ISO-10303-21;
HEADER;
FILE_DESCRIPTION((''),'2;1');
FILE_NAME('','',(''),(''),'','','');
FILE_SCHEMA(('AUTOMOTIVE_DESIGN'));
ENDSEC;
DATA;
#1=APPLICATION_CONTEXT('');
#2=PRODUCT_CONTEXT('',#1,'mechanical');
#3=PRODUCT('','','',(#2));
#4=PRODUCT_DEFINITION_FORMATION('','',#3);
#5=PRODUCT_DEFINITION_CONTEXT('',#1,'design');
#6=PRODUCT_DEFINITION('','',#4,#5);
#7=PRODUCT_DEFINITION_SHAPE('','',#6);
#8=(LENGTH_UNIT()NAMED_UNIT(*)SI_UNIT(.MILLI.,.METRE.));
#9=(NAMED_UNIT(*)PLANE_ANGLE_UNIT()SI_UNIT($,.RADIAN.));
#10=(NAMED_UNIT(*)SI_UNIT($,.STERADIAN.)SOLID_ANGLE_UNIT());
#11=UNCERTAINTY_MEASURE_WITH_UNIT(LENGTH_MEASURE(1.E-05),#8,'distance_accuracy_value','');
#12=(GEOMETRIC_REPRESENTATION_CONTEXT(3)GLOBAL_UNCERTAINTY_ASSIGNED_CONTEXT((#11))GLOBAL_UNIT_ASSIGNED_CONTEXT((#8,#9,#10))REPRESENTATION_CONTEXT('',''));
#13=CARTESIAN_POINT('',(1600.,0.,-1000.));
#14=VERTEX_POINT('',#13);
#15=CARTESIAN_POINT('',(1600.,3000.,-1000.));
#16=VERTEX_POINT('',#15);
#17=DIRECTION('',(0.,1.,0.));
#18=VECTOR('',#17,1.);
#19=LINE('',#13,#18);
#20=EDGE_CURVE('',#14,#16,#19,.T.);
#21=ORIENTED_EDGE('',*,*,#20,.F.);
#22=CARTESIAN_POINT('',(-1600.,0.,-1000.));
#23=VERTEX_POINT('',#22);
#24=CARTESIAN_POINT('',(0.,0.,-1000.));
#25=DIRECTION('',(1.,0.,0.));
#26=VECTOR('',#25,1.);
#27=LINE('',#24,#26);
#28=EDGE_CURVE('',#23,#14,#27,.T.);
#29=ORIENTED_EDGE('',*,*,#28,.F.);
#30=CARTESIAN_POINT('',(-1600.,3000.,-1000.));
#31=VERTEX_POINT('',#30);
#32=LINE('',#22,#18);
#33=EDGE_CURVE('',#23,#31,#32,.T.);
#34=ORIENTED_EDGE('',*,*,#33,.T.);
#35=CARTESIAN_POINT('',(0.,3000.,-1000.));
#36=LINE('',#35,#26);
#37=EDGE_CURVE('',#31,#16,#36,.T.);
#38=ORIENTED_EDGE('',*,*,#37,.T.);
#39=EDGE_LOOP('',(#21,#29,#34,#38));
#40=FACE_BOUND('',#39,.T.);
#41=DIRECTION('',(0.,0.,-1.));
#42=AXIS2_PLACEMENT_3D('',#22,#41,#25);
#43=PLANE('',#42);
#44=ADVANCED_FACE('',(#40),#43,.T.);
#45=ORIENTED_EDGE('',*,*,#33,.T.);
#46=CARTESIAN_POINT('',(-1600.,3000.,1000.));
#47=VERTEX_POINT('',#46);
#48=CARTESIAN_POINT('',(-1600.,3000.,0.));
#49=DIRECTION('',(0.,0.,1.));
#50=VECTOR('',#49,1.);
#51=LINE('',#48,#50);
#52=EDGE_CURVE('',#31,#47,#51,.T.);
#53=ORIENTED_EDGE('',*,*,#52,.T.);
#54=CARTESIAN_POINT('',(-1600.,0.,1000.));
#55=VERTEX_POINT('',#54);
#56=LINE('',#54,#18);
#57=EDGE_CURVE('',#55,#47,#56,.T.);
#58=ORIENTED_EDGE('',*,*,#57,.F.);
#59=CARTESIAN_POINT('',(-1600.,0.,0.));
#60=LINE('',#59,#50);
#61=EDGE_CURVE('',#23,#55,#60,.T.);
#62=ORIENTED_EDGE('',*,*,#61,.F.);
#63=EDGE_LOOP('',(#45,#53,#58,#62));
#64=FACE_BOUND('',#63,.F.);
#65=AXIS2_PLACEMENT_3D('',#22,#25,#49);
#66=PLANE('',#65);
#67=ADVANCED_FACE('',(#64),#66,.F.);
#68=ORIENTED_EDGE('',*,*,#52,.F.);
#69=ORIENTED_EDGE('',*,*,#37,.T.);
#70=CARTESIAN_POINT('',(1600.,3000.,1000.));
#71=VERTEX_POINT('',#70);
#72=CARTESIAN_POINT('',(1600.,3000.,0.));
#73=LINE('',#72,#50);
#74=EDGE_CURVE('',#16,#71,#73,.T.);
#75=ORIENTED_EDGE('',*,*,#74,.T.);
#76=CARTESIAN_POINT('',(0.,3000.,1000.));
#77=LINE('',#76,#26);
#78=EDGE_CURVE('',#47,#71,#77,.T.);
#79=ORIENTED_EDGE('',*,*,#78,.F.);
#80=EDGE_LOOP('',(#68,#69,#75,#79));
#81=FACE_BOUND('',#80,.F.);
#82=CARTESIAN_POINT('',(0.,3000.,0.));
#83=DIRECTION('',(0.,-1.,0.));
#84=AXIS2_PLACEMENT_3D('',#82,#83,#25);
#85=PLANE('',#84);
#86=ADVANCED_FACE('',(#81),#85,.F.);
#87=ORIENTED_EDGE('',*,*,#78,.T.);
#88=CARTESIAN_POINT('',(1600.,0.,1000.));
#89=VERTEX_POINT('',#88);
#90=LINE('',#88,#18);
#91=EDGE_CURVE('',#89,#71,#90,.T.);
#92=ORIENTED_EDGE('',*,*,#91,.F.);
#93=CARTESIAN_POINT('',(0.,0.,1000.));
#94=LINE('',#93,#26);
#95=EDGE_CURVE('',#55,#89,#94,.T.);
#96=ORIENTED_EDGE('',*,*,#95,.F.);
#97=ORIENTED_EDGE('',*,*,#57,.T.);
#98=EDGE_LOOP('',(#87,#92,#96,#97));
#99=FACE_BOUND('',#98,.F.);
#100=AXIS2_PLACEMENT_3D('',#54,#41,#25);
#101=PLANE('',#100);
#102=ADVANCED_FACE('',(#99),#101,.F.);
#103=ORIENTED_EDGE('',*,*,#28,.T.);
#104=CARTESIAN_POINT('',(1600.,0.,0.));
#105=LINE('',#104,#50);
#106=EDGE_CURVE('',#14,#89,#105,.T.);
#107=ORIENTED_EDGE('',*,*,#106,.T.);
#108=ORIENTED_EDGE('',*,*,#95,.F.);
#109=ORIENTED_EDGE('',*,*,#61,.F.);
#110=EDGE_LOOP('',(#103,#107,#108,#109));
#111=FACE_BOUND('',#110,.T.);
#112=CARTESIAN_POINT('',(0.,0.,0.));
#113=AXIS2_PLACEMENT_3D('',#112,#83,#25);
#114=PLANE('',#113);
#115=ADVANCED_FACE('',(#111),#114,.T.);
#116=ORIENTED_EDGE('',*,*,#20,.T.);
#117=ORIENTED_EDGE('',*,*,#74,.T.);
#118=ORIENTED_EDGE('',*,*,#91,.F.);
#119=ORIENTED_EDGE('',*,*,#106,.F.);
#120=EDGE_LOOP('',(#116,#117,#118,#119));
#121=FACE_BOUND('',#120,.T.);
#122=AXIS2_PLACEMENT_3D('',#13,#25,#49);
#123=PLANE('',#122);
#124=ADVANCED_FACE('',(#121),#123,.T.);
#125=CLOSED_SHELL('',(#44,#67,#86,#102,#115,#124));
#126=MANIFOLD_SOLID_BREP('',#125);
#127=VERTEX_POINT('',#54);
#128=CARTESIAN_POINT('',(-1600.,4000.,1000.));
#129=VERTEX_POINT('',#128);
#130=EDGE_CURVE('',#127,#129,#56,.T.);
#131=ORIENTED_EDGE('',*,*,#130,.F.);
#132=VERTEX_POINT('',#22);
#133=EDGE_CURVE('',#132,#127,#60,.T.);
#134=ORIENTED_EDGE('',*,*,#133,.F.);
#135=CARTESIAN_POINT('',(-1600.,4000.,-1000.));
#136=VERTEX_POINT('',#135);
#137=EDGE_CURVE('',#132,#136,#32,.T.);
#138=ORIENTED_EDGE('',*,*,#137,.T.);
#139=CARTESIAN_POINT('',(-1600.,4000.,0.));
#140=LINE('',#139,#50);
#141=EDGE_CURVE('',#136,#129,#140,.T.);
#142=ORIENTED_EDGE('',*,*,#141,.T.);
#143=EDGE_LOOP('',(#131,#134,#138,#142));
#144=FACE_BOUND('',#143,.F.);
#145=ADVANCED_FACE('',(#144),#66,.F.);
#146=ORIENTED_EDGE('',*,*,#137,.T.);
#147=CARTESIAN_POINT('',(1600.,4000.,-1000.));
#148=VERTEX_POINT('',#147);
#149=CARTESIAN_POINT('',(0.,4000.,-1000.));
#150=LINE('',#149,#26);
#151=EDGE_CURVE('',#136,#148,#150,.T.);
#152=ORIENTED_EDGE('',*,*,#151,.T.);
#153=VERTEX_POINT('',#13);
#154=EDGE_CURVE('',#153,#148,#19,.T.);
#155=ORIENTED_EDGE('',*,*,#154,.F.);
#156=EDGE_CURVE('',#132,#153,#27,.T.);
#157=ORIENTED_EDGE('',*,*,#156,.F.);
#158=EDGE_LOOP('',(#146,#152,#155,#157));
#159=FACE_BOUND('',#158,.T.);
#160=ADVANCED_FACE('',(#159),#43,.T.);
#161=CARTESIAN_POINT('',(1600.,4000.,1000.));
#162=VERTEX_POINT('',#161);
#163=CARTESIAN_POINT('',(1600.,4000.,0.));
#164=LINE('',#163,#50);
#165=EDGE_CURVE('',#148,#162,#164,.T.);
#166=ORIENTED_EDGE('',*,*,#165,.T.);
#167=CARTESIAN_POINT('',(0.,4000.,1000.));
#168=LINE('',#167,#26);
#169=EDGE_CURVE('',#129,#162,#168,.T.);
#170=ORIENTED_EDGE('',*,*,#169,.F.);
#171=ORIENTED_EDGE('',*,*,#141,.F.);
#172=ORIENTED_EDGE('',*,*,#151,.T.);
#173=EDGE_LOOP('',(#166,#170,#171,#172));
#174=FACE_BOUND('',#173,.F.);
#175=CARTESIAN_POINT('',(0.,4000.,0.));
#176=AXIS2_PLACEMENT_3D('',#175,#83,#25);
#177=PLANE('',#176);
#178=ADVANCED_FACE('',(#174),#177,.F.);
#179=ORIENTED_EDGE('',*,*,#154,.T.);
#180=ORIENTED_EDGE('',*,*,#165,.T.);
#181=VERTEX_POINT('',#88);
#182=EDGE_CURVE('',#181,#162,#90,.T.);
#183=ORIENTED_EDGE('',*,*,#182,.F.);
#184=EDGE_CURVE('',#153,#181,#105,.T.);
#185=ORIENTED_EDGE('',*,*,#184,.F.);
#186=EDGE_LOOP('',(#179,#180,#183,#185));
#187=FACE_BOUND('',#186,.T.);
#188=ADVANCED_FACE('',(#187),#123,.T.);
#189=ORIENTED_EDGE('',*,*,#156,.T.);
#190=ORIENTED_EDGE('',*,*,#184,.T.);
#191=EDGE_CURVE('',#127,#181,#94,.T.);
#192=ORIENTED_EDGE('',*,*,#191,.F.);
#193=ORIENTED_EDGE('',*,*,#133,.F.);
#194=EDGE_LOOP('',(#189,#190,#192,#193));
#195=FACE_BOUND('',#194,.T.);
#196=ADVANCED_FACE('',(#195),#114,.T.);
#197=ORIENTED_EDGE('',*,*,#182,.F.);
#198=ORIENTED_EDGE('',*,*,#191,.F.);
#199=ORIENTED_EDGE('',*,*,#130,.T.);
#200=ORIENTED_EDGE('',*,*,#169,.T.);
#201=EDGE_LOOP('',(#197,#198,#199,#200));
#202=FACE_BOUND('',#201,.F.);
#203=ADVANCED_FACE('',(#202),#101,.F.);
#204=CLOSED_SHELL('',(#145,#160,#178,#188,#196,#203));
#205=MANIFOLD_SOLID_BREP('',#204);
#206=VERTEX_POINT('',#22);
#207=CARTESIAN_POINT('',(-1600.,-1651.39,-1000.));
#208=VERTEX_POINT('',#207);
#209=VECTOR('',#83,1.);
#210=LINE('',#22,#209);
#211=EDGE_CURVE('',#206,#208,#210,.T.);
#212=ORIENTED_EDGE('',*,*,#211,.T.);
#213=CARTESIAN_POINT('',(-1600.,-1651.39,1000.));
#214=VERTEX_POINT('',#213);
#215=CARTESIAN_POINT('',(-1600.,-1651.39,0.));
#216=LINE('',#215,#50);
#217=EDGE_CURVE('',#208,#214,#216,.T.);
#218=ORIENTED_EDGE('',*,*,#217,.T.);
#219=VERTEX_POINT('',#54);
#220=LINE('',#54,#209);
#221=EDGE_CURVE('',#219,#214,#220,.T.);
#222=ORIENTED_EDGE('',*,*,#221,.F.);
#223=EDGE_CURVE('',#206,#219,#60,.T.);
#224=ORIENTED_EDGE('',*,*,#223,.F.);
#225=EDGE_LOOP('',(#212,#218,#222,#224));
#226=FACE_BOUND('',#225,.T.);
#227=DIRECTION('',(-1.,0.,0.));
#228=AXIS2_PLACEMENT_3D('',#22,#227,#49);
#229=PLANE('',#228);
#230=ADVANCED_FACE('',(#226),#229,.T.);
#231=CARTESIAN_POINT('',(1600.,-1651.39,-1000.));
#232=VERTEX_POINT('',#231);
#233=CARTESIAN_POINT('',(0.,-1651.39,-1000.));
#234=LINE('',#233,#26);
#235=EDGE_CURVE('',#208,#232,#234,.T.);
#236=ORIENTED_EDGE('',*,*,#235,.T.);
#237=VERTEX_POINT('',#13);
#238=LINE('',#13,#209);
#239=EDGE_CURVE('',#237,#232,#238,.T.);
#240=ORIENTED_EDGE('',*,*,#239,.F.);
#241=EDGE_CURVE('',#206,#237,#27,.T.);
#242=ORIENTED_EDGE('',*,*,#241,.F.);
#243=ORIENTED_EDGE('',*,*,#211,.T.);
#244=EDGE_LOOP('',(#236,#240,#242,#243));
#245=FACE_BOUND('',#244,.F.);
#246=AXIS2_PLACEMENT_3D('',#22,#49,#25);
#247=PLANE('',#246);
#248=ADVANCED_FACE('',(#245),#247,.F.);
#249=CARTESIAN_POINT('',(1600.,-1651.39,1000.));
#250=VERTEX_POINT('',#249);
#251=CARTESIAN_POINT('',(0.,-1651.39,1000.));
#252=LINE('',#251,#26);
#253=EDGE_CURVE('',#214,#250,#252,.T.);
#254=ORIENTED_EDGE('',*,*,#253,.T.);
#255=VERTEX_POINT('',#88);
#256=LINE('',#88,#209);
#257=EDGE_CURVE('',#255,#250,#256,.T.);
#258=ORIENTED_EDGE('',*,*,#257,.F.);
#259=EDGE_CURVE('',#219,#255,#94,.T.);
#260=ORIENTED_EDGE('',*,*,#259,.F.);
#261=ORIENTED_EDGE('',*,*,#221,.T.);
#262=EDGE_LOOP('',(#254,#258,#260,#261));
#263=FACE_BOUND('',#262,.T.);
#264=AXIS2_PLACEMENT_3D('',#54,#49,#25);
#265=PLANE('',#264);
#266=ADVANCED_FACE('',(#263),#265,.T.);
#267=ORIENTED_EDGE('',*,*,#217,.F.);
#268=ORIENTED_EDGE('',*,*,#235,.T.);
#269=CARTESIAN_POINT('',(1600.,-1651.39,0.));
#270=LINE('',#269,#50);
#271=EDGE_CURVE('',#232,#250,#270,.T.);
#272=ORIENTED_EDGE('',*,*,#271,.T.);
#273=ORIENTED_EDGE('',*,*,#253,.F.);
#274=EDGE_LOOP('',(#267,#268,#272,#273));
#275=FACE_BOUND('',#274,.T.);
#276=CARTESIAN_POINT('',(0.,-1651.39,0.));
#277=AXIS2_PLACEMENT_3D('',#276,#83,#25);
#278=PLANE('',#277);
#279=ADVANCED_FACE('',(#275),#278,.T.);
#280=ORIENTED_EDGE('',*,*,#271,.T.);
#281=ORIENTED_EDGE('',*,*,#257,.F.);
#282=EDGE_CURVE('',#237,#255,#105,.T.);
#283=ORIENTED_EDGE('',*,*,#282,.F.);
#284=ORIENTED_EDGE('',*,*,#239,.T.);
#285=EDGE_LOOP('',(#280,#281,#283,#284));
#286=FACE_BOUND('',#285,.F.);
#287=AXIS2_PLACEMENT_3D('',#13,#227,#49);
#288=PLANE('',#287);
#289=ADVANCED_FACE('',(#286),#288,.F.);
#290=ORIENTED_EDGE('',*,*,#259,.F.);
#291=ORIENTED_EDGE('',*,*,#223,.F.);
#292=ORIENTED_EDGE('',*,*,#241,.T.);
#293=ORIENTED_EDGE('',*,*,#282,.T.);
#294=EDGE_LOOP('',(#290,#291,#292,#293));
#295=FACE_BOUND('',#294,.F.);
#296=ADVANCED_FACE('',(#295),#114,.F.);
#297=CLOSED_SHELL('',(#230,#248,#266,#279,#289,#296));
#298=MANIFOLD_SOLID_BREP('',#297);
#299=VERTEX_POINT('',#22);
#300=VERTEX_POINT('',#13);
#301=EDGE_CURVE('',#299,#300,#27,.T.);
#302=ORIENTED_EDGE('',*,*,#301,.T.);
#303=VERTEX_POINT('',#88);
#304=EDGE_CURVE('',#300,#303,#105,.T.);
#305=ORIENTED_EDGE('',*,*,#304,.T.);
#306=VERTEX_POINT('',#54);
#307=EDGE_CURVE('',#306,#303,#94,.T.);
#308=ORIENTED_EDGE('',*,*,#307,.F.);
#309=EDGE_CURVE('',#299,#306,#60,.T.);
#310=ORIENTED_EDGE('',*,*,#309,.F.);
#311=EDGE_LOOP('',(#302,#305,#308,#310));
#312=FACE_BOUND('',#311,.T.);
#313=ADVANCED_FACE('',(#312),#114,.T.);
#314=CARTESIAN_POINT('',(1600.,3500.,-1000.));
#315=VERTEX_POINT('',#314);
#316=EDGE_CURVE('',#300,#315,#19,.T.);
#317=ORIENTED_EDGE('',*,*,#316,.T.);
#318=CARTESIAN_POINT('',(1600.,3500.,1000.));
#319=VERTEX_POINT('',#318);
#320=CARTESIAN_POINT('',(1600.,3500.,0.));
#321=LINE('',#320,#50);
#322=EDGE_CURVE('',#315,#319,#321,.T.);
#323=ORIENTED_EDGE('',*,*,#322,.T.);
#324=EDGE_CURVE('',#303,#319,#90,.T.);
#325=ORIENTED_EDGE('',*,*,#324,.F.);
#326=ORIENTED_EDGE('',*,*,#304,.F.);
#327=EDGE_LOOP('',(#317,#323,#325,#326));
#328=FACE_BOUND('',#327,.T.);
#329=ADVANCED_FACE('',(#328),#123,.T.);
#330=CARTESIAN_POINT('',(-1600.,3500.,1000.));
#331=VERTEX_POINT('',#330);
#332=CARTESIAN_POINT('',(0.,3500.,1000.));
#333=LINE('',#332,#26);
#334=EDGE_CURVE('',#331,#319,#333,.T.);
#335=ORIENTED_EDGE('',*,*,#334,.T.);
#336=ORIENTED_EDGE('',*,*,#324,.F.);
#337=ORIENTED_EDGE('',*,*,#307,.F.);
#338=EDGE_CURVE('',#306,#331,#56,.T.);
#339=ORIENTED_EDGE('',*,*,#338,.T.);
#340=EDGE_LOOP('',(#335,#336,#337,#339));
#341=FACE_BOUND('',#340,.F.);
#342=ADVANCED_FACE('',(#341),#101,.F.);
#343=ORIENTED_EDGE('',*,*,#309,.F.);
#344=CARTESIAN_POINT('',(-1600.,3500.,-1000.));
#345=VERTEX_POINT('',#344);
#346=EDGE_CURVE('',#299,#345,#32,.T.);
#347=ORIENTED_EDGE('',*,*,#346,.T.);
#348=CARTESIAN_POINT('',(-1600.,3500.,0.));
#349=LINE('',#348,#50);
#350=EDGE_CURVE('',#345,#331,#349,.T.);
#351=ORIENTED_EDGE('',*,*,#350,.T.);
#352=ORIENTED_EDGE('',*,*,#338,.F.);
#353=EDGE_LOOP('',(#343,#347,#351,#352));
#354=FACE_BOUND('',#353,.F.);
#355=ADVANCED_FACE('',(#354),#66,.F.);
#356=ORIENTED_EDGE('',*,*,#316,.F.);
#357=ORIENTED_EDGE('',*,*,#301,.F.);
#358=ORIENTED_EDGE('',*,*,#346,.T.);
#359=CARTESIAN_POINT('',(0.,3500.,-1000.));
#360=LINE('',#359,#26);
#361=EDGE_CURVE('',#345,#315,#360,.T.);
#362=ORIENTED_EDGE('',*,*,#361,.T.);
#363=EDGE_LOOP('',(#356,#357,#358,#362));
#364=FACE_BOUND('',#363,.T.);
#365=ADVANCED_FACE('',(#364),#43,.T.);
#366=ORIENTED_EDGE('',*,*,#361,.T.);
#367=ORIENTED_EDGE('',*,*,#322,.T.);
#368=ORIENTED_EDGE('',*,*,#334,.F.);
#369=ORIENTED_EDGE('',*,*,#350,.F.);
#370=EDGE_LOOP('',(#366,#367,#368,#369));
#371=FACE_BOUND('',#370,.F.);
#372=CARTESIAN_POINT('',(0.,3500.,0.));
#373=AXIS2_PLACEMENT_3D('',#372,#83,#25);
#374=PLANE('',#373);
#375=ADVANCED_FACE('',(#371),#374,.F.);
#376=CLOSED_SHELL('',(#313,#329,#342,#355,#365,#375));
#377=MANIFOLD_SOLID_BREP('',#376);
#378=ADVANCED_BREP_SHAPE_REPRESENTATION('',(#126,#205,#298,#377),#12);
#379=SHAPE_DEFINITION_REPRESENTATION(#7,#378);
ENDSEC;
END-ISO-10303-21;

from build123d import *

# Parameters (mm, degrees)
F0_W     = 3200
F0_H     = 2000
F1_DEPTH = 1651.39
F2_DEPTH = 3000
F3_DEPTH = 3500
F4_DEPTH = 4000


with BuildPart() as f1:
    # F0 (on Front) → F1 (new body)
    with BuildSketch(Plane.XZ):
        Rectangle(F0_W, F0_H)
    extrude(amount=F1_DEPTH)


with BuildPart() as f2:
    # F0 (on Front) → F2 (new body)
    with BuildSketch(Plane.XZ):
        Rectangle(F0_W, F0_H)
    extrude(amount=-F2_DEPTH)


with BuildPart() as f3:
    # F0 (on Front) → F3 (new body)
    with BuildSketch(Plane.XZ):
        Rectangle(F0_W, F0_H)
    extrude(amount=-F3_DEPTH)


with BuildPart() as f4:
    # F0 (on Front) → F4 (new body)
    with BuildSketch(Plane.XZ):
        Rectangle(F0_W, F0_H)
    extrude(amount=-F4_DEPTH)


solid = Compound([f1.part, f2.part, f3.part, f4.part])
